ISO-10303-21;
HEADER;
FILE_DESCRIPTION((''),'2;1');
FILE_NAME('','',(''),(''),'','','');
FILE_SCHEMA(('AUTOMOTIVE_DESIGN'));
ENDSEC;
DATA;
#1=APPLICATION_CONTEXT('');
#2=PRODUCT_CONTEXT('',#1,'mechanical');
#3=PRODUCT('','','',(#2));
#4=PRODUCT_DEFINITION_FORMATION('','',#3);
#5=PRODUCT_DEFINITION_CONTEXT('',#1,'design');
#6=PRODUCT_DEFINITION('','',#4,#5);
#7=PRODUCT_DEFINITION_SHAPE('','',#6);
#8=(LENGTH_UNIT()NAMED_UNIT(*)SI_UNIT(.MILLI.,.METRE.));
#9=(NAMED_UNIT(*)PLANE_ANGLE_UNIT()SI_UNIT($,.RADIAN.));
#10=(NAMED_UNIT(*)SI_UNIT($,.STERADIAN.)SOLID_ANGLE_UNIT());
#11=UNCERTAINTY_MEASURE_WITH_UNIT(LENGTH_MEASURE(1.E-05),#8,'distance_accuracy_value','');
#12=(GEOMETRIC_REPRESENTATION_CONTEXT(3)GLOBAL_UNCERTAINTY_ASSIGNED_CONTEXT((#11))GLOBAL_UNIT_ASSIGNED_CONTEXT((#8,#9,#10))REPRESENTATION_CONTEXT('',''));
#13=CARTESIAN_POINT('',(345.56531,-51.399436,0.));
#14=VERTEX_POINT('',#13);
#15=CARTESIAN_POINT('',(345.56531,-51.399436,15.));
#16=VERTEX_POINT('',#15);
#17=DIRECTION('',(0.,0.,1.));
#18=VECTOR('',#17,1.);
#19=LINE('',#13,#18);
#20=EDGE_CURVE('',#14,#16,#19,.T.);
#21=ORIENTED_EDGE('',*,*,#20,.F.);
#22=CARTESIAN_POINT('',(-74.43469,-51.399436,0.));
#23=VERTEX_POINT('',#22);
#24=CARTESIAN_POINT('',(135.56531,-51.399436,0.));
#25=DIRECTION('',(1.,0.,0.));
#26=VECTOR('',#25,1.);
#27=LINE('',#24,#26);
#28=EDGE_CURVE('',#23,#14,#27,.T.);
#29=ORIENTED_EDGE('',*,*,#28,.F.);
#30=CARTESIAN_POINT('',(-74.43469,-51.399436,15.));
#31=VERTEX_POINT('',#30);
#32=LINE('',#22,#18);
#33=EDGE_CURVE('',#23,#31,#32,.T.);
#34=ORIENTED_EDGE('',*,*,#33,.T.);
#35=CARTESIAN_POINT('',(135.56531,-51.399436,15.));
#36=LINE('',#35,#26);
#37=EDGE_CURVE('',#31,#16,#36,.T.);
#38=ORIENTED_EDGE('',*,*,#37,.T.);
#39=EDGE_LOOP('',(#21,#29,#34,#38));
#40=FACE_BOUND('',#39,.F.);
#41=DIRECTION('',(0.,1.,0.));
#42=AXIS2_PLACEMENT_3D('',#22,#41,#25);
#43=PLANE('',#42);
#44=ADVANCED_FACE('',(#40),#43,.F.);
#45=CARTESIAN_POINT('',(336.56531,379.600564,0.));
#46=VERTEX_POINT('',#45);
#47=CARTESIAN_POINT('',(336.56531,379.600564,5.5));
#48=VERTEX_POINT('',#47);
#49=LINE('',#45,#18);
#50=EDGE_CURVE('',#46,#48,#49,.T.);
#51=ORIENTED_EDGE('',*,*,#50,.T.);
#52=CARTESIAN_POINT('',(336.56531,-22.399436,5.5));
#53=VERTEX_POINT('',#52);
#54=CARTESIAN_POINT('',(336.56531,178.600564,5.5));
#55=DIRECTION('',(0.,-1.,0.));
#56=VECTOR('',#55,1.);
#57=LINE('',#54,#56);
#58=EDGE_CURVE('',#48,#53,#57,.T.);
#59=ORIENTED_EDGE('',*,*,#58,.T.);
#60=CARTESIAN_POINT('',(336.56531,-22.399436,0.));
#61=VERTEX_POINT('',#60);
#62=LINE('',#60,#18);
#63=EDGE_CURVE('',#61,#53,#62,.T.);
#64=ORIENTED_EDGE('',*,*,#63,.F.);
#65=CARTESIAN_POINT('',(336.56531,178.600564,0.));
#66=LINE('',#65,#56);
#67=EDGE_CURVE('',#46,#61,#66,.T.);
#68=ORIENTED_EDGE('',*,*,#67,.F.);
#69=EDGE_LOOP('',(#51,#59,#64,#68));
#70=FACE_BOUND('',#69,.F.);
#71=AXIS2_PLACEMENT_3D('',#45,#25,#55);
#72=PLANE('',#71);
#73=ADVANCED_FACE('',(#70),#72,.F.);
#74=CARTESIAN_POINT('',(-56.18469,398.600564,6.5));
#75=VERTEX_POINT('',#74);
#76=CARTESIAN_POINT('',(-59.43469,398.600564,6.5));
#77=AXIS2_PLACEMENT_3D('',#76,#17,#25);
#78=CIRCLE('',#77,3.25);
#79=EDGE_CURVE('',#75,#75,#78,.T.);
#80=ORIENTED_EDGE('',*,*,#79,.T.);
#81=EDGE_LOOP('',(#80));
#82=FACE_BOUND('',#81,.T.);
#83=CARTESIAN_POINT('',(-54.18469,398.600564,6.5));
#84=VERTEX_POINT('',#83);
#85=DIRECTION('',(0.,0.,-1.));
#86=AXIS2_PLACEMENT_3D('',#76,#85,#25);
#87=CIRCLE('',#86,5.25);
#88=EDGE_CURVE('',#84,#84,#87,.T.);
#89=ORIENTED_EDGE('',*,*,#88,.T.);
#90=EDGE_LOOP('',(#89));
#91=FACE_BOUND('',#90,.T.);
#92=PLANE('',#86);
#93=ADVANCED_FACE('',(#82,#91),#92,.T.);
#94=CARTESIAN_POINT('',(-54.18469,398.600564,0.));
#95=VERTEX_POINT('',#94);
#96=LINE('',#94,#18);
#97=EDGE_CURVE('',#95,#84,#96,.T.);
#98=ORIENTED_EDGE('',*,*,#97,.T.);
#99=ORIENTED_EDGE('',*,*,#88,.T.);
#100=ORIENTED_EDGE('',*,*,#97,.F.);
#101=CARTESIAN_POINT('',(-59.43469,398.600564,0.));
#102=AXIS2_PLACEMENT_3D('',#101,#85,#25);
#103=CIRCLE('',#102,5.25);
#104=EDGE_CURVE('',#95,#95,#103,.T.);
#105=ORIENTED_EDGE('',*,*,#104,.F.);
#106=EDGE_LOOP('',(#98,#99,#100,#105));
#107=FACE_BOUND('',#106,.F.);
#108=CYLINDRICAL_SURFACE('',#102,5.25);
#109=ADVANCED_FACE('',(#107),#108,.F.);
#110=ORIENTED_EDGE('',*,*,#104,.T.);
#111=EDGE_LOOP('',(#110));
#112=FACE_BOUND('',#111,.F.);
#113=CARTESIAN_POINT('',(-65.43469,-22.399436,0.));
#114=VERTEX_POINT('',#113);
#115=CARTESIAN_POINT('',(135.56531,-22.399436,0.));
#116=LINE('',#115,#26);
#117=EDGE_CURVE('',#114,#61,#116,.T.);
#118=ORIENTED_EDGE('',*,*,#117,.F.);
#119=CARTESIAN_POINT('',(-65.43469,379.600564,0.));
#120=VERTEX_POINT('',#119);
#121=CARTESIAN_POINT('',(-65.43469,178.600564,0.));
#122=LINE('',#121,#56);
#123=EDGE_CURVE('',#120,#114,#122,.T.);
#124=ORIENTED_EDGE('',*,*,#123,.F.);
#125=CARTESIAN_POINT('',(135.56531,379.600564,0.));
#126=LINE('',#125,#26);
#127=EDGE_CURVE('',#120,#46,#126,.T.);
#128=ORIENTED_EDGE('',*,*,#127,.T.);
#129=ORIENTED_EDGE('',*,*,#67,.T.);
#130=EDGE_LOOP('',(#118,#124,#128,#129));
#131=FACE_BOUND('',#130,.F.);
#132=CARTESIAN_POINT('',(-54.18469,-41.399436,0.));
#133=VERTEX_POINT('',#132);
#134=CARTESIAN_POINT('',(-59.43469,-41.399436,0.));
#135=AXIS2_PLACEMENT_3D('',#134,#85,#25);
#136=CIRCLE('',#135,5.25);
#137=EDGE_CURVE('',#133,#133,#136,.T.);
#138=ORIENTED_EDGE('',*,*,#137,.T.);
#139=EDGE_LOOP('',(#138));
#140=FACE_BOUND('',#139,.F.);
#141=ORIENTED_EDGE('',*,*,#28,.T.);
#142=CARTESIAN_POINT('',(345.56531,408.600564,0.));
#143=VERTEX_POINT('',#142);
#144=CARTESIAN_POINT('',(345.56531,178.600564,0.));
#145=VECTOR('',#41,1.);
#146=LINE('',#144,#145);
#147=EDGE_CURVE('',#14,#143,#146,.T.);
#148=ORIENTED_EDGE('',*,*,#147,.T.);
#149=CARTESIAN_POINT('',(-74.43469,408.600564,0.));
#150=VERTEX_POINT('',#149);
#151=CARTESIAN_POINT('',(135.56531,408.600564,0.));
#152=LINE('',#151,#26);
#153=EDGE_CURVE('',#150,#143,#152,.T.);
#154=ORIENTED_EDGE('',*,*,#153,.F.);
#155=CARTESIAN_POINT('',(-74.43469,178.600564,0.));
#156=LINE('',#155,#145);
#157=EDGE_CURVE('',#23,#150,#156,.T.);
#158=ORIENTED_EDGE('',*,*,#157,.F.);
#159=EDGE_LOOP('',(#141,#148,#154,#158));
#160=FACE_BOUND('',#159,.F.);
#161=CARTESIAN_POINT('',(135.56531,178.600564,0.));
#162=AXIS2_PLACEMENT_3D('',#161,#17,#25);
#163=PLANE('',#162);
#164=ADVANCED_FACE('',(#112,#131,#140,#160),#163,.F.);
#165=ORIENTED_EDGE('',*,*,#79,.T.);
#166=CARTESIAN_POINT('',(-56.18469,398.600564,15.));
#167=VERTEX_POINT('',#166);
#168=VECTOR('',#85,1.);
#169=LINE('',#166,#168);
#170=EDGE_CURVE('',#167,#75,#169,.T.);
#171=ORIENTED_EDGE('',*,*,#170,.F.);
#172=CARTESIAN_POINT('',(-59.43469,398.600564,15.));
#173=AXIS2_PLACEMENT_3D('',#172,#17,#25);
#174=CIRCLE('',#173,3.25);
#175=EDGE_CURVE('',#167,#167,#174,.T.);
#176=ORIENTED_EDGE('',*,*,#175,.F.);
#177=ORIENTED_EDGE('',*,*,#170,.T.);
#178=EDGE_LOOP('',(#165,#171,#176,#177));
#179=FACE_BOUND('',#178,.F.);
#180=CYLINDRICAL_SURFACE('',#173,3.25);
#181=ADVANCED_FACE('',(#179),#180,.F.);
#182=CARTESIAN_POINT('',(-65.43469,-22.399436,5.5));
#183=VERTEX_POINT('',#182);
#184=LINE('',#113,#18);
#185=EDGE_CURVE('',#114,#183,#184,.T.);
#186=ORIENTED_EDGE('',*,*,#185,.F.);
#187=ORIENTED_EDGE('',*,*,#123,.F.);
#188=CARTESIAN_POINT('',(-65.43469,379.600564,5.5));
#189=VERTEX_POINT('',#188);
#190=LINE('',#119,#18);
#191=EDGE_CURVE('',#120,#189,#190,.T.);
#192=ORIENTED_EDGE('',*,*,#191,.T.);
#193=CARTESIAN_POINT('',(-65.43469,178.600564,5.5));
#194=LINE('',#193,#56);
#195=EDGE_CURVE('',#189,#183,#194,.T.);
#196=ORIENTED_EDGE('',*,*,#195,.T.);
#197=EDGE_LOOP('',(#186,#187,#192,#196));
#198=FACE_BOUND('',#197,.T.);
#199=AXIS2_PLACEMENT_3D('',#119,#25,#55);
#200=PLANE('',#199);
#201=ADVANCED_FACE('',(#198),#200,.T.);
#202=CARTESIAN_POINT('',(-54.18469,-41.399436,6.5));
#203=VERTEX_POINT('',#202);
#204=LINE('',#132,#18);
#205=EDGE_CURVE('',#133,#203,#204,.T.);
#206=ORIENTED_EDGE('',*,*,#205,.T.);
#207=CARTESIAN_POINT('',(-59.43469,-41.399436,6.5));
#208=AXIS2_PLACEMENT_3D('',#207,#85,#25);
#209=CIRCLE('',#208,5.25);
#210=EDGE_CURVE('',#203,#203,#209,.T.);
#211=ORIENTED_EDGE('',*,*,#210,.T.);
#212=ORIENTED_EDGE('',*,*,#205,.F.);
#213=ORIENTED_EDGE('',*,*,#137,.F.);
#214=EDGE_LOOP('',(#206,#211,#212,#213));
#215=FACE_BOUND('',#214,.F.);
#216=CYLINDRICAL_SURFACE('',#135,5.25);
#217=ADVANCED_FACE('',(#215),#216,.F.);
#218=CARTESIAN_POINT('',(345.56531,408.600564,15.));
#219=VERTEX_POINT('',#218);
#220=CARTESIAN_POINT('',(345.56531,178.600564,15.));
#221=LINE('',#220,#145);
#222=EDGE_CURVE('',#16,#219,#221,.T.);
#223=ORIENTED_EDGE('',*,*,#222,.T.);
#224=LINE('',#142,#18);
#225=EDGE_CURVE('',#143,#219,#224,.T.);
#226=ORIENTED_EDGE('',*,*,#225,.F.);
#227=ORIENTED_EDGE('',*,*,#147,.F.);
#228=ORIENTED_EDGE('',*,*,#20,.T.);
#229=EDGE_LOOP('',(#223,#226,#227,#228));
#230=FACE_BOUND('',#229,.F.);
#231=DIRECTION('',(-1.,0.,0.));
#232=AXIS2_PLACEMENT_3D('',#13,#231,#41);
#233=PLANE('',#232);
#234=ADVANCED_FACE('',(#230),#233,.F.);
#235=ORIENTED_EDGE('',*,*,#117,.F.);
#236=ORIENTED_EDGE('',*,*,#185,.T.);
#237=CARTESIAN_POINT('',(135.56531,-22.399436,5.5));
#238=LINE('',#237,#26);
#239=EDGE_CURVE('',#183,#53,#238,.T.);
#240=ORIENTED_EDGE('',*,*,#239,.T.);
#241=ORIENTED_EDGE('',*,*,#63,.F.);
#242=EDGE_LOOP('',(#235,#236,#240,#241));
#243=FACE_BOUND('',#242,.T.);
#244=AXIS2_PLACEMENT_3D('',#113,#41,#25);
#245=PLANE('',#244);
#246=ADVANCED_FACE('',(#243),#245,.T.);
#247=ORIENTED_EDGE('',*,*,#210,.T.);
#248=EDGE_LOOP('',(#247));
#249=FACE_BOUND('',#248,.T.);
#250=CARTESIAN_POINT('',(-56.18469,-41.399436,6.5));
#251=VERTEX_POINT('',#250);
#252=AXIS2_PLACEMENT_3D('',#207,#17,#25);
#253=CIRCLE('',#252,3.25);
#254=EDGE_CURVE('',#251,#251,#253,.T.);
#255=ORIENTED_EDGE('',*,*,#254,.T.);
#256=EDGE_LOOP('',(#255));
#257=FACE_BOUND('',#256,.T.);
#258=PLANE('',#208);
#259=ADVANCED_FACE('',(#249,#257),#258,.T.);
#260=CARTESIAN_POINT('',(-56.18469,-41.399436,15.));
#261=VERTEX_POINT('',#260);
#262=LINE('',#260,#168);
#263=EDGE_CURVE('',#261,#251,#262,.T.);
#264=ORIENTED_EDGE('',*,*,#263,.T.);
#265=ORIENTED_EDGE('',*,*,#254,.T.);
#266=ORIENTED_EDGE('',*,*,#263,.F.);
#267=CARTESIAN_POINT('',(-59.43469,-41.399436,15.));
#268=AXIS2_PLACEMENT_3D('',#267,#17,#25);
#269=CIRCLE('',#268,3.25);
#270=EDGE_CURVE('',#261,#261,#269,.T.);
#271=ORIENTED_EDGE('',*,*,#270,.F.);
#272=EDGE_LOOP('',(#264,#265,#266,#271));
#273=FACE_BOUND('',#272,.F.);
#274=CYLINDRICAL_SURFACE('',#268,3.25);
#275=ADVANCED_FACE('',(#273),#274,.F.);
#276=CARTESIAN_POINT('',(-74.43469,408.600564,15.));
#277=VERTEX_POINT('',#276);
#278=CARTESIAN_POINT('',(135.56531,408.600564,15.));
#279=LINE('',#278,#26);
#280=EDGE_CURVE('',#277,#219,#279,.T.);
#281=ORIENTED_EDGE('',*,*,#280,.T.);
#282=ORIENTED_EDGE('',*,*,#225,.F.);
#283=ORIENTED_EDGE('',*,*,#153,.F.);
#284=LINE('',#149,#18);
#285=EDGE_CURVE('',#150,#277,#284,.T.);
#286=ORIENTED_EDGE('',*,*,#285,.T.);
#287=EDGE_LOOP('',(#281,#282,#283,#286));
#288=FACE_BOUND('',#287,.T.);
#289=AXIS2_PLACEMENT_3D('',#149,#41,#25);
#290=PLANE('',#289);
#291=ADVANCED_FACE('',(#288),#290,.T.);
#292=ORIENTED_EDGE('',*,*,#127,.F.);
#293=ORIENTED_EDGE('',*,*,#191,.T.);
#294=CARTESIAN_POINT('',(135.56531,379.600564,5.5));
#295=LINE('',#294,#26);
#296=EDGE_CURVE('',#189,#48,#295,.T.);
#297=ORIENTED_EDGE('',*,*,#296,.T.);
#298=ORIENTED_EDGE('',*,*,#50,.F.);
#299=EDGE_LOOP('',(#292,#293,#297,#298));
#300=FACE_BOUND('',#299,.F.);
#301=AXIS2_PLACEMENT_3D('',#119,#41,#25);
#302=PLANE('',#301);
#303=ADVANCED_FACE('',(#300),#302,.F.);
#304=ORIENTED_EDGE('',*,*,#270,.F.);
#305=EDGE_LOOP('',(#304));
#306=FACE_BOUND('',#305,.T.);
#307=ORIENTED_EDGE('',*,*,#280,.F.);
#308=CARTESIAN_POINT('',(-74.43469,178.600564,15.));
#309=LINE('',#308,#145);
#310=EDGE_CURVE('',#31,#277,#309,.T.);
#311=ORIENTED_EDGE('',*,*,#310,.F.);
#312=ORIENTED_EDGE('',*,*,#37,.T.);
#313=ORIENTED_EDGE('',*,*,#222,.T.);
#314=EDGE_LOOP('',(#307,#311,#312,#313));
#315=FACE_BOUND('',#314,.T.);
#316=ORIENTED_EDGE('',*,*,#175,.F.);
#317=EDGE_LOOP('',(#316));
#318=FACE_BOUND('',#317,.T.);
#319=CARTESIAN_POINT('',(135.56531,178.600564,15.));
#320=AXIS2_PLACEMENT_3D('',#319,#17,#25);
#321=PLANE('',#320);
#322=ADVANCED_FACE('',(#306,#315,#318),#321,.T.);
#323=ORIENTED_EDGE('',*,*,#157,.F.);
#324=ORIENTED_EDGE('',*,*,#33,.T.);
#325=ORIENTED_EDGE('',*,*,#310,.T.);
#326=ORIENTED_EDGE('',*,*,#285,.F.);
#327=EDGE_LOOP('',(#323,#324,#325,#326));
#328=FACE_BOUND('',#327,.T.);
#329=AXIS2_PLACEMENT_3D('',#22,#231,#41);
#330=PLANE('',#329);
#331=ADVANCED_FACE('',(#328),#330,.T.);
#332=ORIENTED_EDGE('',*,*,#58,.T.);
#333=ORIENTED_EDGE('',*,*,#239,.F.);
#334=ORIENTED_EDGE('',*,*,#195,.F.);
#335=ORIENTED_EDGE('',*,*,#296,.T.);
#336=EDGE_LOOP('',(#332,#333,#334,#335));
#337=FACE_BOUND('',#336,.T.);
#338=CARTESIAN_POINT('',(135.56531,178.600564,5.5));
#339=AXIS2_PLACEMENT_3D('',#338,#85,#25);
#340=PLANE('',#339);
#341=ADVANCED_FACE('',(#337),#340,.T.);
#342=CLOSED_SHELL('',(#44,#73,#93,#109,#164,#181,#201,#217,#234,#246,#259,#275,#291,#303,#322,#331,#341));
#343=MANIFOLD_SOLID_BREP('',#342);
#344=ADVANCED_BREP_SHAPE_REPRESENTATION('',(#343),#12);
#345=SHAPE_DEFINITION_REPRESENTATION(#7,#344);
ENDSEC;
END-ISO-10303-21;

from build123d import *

# Parameters (mm, degrees)
F0_W     = 420
F0_H     = 460
F1_DEPTH = 15
F2_R     = 3.25
F3_DEPTH = 15
F4_W     = 402
F4_H     = 402
F5_DEPTH = 5.5
F6_R     = 5.25
F7_DEPTH = 6.5
F8_DEPTH = 6.5


with BuildPart() as f1:
    # F0 (on Top) → F1 (new body)
    with BuildSketch(Plane.XY):
        with Locations((135.56531, 178.600564)):
            Rectangle(F0_W, F0_H)
    extrude(amount=F1_DEPTH)

    # F2 (on face) → F3 (cut)
    with BuildSketch(Plane.XY.offset(15)):
        with Locations((-59.43469, -41.399436)):
            Circle(F2_R)
        with Locations((-59.43469, 398.600564)):
            Circle(F2_R)
    extrude(amount=-F3_DEPTH, mode=Mode.SUBTRACT)

    # F4 (on face) → F5 (cut)
    with BuildSketch(Plane(origin=(0, 0, 0), x_dir=(1, 0, 0), z_dir=(0, 0, -1))):
        with Locations((135.56531, -178.600564)):
            Rectangle(F4_W, F4_H)
    extrude(amount=-F5_DEPTH, mode=Mode.SUBTRACT)

    # F6 (on face) → F7 (cut)
    with BuildSketch(Plane(origin=(0, 0, 0), x_dir=(1, 0, 0), z_dir=(0, 0, -1))):
        with Locations((-59.43469, -398.600564)):
            Circle(F6_R)
        with Locations((-59.43469, 41.399436)):
            Circle(F6_R)
    extrude(amount=-F7_DEPTH, mode=Mode.SUBTRACT)

    # F6 (on face) → F8 (cut)
    with BuildSketch(Plane(origin=(0, 0, 0), x_dir=(1, 0, 0), z_dir=(0, 0, -1))):
        with Locations((-59.43469, -398.600564)):
            Circle(F6_R)
        with Locations((-59.43469, 41.399436)):
            Circle(F6_R)
    extrude(amount=-F8_DEPTH, mode=Mode.SUBTRACT)


solid = f1.part
